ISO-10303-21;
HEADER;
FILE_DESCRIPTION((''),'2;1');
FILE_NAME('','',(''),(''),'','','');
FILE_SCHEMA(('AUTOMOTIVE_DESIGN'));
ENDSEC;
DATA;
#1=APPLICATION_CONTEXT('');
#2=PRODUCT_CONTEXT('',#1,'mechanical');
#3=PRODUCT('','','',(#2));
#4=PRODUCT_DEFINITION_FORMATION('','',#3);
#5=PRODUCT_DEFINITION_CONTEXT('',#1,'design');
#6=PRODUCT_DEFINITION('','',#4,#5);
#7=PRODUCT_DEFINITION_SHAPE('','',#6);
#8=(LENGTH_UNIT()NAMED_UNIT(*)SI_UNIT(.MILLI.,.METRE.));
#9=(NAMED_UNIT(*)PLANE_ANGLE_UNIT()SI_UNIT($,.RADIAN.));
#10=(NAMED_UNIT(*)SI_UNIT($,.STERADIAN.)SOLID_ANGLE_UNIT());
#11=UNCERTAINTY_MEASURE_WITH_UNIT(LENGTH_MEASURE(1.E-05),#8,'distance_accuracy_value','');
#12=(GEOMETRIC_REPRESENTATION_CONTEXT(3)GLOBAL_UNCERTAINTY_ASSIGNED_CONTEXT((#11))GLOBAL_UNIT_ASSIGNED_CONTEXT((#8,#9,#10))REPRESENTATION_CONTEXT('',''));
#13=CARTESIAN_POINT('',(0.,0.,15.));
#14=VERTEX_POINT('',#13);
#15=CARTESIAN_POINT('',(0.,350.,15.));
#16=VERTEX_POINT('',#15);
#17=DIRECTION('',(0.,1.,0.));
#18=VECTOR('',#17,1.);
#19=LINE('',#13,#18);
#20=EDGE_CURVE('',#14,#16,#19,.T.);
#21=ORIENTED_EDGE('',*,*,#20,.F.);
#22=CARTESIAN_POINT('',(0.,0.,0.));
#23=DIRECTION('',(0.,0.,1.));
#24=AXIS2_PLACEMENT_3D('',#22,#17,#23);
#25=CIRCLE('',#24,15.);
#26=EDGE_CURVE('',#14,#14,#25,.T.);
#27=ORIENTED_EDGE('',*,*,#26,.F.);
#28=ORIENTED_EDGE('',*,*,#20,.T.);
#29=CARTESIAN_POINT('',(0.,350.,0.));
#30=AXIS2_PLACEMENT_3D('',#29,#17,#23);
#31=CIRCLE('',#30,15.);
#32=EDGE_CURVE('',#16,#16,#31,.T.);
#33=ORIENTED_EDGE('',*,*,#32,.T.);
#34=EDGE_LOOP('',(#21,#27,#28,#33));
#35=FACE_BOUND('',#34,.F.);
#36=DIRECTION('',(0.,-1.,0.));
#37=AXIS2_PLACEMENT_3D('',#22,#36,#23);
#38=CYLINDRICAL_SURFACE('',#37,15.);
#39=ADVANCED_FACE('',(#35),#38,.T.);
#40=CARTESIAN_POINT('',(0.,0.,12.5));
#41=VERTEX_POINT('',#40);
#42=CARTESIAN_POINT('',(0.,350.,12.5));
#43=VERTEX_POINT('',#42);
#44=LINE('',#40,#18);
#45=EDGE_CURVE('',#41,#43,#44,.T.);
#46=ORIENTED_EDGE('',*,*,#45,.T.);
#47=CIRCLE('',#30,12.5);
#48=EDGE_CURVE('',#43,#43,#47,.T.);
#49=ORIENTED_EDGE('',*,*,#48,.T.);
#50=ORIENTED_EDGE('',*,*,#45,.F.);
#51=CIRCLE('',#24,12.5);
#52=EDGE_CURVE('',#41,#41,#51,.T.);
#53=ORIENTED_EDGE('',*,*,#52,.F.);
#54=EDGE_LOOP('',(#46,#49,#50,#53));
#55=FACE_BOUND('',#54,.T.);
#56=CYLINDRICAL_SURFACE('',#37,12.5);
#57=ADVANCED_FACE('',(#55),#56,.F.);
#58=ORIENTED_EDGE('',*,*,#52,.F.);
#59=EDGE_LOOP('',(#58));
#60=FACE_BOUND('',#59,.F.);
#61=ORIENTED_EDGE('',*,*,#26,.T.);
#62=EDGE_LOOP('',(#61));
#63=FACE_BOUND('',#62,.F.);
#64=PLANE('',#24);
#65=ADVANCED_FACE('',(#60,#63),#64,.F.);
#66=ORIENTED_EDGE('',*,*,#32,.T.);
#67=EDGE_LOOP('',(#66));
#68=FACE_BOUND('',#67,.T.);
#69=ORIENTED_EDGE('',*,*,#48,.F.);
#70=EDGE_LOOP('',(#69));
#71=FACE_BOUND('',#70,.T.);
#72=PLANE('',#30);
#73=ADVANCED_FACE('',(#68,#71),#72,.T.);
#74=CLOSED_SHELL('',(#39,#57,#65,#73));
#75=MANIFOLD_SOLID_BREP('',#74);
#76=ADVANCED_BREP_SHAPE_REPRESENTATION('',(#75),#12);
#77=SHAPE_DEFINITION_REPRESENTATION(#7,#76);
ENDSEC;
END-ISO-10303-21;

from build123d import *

# Parameters (mm, degrees)
SKETCH_1_R      = 15
SKETCH_1_R_2    = 12.5
EXTRUDE_1_DEPTH = 350


with BuildPart() as part:
    # Эскиз1 → Вытянуть1 (new body)
    with BuildSketch(Plane(origin=(0, 0, 0), x_dir=(1, 0, 0), z_dir=(0, 1, 0))):
        with Locations(Location((0, 0, 0), (0, 0, 270))):
            Circle(SKETCH_1_R)
        with Locations(Location((0, 0, 0), (0, 0, 270))):
            Circle(SKETCH_1_R_2, mode=Mode.SUBTRACT)
    extrude(amount=EXTRUDE_1_DEPTH)


solid = part.part
